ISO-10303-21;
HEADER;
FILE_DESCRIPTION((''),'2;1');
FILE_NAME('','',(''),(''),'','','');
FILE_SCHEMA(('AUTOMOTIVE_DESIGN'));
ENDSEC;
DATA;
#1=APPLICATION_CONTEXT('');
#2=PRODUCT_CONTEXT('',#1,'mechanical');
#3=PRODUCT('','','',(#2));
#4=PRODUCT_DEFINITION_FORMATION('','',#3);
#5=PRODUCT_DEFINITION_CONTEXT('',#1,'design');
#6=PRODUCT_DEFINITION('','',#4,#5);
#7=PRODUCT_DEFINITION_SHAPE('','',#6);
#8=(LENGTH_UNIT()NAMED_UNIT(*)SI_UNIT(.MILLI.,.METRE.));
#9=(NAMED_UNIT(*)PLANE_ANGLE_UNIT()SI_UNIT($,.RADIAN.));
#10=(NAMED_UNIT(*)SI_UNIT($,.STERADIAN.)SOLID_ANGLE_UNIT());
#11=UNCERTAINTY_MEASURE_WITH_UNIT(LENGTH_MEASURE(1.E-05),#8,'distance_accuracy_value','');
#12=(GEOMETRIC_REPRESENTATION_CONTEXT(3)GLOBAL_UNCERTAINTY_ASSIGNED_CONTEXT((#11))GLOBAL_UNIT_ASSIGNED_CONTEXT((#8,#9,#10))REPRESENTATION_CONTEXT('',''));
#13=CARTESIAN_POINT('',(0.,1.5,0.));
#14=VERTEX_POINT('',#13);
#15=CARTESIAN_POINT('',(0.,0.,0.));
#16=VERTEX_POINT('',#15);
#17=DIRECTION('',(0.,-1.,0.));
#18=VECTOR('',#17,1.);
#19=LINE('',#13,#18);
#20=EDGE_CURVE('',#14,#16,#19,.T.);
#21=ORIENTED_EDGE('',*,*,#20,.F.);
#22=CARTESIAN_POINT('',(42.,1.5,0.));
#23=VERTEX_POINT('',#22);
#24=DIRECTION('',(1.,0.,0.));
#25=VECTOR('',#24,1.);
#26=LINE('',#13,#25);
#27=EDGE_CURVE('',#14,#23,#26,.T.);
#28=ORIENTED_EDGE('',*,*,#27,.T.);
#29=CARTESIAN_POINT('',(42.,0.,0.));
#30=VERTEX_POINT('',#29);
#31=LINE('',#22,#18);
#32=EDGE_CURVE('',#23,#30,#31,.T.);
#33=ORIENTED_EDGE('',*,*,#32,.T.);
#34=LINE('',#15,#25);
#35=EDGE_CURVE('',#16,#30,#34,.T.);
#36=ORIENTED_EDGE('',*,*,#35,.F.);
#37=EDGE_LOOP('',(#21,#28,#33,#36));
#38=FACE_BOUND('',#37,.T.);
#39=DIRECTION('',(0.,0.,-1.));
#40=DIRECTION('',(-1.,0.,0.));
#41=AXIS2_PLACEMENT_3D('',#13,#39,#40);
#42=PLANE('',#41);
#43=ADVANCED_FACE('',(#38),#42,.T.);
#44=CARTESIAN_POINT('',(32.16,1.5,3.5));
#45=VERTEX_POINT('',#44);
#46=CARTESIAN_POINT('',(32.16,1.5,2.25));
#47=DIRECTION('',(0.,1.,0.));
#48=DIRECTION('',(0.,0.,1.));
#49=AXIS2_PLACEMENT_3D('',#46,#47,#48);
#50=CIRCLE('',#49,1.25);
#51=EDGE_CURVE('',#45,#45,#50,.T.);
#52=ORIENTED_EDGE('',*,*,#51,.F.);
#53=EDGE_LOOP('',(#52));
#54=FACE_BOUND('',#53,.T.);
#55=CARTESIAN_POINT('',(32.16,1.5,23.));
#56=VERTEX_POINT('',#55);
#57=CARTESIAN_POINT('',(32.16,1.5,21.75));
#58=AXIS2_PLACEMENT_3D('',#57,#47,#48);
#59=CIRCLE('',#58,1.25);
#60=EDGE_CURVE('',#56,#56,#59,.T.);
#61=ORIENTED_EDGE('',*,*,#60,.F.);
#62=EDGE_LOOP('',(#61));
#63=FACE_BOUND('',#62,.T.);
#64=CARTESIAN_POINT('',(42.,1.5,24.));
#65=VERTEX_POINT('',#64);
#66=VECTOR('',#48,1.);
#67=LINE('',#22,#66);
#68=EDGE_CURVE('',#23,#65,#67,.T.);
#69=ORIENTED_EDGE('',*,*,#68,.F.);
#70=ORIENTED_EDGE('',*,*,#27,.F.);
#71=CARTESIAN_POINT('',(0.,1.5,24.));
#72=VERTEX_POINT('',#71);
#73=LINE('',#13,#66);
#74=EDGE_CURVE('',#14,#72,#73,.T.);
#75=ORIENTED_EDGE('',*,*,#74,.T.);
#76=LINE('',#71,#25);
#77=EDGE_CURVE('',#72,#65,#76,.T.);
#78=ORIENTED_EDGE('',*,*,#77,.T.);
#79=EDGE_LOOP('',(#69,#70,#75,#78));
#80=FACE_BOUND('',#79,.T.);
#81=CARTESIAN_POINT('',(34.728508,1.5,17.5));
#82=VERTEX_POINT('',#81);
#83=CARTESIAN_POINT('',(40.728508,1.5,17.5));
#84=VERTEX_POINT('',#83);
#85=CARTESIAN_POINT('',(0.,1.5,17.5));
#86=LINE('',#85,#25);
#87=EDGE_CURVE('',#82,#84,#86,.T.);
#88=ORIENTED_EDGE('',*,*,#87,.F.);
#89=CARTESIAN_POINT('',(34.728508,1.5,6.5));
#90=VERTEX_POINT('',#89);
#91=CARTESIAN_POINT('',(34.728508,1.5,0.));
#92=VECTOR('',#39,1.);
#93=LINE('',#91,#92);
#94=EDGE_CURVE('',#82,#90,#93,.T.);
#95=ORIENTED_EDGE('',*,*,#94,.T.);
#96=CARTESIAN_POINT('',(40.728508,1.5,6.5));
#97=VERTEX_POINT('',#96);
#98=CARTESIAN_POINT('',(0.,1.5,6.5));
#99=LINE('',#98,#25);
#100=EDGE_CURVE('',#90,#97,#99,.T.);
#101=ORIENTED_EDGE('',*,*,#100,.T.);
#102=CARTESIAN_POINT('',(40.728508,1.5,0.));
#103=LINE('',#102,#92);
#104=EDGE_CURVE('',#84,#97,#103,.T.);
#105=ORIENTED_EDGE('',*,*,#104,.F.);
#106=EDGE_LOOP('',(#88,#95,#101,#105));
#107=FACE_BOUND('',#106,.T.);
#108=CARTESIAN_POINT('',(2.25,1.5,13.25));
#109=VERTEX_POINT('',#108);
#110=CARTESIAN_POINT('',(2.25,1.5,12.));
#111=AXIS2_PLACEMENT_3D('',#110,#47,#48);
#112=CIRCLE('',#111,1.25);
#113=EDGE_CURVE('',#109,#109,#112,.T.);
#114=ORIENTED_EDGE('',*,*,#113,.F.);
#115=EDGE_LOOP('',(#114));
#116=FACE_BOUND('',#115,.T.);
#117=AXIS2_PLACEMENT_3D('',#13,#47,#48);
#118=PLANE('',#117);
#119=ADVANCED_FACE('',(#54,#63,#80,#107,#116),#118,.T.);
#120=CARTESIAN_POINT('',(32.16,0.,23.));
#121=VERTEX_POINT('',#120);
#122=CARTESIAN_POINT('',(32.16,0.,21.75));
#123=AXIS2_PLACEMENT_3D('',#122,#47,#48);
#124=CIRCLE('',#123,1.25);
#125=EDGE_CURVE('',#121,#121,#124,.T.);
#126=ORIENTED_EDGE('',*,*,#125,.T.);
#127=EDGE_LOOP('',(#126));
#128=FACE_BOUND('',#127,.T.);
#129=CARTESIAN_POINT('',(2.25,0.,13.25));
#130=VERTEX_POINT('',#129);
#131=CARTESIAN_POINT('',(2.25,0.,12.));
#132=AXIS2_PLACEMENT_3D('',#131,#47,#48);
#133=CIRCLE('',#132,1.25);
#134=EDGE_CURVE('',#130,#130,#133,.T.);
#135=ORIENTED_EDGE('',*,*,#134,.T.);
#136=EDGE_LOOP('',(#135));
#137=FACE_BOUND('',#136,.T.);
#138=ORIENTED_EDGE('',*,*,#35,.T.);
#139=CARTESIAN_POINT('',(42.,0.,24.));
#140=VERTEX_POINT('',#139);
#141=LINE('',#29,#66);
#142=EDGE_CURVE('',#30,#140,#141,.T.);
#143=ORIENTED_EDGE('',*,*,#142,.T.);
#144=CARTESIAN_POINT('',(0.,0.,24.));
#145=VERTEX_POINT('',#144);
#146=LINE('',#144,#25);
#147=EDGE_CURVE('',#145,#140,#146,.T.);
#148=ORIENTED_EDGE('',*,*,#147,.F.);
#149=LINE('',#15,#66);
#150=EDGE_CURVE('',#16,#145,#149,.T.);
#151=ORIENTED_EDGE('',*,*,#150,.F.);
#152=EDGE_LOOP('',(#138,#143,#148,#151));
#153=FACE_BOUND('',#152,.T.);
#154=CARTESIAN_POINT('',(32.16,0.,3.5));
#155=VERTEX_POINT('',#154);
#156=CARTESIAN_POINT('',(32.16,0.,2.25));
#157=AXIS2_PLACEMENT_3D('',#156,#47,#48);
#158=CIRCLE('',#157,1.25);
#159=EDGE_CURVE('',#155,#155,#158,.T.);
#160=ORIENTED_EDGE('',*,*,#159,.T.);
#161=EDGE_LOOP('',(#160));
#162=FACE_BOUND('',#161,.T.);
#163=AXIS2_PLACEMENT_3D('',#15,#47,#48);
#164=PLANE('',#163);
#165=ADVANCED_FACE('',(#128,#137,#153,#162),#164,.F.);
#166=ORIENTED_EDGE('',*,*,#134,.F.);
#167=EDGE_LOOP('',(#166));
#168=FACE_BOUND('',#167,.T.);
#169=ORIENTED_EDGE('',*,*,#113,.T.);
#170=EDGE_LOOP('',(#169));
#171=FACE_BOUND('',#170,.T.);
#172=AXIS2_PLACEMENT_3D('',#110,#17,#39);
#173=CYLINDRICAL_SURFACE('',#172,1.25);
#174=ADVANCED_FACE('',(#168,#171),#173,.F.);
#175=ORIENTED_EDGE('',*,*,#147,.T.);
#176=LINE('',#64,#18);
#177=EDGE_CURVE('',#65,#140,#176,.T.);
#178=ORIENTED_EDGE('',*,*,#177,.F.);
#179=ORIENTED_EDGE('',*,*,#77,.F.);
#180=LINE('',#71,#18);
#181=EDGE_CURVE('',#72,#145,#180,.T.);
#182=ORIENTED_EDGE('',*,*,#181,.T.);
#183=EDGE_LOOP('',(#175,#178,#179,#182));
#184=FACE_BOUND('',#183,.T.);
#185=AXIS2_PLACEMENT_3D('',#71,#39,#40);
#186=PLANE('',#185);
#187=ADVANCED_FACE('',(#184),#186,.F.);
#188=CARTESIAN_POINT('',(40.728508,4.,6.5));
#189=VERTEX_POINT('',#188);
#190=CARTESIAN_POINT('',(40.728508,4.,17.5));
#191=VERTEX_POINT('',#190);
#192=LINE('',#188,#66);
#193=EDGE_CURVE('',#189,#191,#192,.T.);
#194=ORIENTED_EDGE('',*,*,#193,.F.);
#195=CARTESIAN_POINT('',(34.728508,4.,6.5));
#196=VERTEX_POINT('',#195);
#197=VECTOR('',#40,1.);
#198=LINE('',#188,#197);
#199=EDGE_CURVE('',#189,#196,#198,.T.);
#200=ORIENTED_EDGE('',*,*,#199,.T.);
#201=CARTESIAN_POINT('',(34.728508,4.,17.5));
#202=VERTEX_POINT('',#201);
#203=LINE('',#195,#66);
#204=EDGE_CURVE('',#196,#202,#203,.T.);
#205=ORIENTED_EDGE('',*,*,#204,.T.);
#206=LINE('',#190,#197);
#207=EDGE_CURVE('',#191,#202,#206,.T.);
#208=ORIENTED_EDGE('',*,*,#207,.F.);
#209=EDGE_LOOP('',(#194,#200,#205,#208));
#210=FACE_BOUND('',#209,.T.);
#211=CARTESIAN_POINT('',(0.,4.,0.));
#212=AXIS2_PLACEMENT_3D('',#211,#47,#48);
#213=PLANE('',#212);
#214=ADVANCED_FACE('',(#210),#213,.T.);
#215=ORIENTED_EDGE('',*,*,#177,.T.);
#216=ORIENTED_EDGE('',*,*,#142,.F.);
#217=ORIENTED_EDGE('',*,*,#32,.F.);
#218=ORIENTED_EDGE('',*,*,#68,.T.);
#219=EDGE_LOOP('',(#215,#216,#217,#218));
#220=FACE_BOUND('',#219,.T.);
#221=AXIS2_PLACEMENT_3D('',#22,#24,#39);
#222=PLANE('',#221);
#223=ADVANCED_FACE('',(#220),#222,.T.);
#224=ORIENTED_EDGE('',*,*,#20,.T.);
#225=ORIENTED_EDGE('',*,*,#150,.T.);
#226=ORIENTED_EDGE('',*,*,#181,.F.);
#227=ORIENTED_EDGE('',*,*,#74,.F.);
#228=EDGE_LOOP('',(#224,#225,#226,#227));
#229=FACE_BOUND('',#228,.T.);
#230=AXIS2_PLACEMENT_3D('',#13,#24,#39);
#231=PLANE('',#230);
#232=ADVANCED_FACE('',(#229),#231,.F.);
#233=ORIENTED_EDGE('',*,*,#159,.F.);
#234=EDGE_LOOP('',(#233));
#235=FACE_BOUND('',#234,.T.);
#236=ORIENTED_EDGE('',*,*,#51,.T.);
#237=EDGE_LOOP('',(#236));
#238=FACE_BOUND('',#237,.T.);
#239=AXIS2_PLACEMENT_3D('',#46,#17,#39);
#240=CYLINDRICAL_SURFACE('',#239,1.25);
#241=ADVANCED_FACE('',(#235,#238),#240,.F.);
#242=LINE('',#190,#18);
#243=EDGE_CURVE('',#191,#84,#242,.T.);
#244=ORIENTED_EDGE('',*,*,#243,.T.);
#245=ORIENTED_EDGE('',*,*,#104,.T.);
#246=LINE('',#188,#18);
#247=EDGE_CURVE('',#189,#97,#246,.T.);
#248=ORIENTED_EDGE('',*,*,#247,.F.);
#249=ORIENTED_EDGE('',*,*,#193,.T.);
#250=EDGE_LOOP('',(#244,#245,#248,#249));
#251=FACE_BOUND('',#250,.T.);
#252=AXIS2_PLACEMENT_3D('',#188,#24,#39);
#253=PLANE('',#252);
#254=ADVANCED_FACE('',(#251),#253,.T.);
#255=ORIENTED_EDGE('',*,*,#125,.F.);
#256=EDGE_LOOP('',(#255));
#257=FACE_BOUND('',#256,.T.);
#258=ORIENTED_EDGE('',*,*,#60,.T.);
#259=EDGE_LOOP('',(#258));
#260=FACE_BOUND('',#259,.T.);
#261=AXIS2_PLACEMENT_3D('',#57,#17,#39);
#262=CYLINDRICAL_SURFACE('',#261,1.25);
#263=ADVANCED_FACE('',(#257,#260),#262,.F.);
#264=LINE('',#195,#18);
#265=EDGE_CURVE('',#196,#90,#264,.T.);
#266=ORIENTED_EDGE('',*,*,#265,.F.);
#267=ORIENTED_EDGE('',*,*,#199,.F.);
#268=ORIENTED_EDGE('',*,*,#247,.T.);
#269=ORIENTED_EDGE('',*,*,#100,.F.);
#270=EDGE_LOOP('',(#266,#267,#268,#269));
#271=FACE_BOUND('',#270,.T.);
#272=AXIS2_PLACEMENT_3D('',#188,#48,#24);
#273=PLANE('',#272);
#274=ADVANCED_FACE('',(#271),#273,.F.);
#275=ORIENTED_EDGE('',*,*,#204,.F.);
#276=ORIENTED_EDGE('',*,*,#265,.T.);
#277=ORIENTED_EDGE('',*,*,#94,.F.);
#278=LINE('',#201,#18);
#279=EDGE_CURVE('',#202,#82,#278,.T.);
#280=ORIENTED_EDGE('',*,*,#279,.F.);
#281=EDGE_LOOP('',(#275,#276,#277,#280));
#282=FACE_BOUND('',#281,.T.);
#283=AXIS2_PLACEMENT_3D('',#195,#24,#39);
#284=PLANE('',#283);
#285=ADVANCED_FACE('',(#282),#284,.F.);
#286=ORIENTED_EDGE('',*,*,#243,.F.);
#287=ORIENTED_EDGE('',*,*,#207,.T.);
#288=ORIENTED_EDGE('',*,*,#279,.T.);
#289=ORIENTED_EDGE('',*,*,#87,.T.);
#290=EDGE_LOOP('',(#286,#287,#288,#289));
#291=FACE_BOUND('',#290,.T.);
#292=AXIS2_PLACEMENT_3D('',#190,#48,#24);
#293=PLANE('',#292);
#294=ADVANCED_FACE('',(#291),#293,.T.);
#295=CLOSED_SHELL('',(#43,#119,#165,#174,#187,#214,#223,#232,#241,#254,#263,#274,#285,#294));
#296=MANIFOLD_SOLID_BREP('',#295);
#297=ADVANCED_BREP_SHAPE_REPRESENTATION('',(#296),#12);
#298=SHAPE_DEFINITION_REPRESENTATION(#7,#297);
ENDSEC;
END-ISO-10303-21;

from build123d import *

# Parameters (mm, degrees)
SKETCH2_W           = 42
SKETCH2_H           = 24
SKETCH2_R           = 1.25
BOSS_EXTRUDE1_DEPTH = 1.5
SKETCH2_9_W         = 6
SKETCH2_9_H         = 11
BOSS_EXTRUDE2_DEPTH = 4


with BuildPart() as part:
    # Sketch2 → Boss-Extrude1 (new body)
    with BuildSketch(Plane(origin=(0, 0, 0), x_dir=(1, 0, 0), z_dir=(0, 1, 0))):
        with Locations((21, -12)):
            Rectangle(SKETCH2_W, SKETCH2_H)
        with Locations((32.16, -2.25)):
            Circle(SKETCH2_R, mode=Mode.SUBTRACT)
        with Locations((32.16, -21.75)):
            Circle(SKETCH2_R, mode=Mode.SUBTRACT)
        with Locations((2.25, -12)):
            Circle(SKETCH2_R, mode=Mode.SUBTRACT)
    extrude(amount=BOSS_EXTRUDE1_DEPTH)

    # Sketch2<9> → Boss-Extrude2 (add)
    with BuildSketch(Plane(origin=(0, 0, 0), x_dir=(1, 0, 0), z_dir=(0, 1, 0))):
        with Locations((37.7285084, -12)):
            Rectangle(SKETCH2_9_W, SKETCH2_9_H)
    extrude(amount=BOSS_EXTRUDE2_DEPTH)


solid = part.part
